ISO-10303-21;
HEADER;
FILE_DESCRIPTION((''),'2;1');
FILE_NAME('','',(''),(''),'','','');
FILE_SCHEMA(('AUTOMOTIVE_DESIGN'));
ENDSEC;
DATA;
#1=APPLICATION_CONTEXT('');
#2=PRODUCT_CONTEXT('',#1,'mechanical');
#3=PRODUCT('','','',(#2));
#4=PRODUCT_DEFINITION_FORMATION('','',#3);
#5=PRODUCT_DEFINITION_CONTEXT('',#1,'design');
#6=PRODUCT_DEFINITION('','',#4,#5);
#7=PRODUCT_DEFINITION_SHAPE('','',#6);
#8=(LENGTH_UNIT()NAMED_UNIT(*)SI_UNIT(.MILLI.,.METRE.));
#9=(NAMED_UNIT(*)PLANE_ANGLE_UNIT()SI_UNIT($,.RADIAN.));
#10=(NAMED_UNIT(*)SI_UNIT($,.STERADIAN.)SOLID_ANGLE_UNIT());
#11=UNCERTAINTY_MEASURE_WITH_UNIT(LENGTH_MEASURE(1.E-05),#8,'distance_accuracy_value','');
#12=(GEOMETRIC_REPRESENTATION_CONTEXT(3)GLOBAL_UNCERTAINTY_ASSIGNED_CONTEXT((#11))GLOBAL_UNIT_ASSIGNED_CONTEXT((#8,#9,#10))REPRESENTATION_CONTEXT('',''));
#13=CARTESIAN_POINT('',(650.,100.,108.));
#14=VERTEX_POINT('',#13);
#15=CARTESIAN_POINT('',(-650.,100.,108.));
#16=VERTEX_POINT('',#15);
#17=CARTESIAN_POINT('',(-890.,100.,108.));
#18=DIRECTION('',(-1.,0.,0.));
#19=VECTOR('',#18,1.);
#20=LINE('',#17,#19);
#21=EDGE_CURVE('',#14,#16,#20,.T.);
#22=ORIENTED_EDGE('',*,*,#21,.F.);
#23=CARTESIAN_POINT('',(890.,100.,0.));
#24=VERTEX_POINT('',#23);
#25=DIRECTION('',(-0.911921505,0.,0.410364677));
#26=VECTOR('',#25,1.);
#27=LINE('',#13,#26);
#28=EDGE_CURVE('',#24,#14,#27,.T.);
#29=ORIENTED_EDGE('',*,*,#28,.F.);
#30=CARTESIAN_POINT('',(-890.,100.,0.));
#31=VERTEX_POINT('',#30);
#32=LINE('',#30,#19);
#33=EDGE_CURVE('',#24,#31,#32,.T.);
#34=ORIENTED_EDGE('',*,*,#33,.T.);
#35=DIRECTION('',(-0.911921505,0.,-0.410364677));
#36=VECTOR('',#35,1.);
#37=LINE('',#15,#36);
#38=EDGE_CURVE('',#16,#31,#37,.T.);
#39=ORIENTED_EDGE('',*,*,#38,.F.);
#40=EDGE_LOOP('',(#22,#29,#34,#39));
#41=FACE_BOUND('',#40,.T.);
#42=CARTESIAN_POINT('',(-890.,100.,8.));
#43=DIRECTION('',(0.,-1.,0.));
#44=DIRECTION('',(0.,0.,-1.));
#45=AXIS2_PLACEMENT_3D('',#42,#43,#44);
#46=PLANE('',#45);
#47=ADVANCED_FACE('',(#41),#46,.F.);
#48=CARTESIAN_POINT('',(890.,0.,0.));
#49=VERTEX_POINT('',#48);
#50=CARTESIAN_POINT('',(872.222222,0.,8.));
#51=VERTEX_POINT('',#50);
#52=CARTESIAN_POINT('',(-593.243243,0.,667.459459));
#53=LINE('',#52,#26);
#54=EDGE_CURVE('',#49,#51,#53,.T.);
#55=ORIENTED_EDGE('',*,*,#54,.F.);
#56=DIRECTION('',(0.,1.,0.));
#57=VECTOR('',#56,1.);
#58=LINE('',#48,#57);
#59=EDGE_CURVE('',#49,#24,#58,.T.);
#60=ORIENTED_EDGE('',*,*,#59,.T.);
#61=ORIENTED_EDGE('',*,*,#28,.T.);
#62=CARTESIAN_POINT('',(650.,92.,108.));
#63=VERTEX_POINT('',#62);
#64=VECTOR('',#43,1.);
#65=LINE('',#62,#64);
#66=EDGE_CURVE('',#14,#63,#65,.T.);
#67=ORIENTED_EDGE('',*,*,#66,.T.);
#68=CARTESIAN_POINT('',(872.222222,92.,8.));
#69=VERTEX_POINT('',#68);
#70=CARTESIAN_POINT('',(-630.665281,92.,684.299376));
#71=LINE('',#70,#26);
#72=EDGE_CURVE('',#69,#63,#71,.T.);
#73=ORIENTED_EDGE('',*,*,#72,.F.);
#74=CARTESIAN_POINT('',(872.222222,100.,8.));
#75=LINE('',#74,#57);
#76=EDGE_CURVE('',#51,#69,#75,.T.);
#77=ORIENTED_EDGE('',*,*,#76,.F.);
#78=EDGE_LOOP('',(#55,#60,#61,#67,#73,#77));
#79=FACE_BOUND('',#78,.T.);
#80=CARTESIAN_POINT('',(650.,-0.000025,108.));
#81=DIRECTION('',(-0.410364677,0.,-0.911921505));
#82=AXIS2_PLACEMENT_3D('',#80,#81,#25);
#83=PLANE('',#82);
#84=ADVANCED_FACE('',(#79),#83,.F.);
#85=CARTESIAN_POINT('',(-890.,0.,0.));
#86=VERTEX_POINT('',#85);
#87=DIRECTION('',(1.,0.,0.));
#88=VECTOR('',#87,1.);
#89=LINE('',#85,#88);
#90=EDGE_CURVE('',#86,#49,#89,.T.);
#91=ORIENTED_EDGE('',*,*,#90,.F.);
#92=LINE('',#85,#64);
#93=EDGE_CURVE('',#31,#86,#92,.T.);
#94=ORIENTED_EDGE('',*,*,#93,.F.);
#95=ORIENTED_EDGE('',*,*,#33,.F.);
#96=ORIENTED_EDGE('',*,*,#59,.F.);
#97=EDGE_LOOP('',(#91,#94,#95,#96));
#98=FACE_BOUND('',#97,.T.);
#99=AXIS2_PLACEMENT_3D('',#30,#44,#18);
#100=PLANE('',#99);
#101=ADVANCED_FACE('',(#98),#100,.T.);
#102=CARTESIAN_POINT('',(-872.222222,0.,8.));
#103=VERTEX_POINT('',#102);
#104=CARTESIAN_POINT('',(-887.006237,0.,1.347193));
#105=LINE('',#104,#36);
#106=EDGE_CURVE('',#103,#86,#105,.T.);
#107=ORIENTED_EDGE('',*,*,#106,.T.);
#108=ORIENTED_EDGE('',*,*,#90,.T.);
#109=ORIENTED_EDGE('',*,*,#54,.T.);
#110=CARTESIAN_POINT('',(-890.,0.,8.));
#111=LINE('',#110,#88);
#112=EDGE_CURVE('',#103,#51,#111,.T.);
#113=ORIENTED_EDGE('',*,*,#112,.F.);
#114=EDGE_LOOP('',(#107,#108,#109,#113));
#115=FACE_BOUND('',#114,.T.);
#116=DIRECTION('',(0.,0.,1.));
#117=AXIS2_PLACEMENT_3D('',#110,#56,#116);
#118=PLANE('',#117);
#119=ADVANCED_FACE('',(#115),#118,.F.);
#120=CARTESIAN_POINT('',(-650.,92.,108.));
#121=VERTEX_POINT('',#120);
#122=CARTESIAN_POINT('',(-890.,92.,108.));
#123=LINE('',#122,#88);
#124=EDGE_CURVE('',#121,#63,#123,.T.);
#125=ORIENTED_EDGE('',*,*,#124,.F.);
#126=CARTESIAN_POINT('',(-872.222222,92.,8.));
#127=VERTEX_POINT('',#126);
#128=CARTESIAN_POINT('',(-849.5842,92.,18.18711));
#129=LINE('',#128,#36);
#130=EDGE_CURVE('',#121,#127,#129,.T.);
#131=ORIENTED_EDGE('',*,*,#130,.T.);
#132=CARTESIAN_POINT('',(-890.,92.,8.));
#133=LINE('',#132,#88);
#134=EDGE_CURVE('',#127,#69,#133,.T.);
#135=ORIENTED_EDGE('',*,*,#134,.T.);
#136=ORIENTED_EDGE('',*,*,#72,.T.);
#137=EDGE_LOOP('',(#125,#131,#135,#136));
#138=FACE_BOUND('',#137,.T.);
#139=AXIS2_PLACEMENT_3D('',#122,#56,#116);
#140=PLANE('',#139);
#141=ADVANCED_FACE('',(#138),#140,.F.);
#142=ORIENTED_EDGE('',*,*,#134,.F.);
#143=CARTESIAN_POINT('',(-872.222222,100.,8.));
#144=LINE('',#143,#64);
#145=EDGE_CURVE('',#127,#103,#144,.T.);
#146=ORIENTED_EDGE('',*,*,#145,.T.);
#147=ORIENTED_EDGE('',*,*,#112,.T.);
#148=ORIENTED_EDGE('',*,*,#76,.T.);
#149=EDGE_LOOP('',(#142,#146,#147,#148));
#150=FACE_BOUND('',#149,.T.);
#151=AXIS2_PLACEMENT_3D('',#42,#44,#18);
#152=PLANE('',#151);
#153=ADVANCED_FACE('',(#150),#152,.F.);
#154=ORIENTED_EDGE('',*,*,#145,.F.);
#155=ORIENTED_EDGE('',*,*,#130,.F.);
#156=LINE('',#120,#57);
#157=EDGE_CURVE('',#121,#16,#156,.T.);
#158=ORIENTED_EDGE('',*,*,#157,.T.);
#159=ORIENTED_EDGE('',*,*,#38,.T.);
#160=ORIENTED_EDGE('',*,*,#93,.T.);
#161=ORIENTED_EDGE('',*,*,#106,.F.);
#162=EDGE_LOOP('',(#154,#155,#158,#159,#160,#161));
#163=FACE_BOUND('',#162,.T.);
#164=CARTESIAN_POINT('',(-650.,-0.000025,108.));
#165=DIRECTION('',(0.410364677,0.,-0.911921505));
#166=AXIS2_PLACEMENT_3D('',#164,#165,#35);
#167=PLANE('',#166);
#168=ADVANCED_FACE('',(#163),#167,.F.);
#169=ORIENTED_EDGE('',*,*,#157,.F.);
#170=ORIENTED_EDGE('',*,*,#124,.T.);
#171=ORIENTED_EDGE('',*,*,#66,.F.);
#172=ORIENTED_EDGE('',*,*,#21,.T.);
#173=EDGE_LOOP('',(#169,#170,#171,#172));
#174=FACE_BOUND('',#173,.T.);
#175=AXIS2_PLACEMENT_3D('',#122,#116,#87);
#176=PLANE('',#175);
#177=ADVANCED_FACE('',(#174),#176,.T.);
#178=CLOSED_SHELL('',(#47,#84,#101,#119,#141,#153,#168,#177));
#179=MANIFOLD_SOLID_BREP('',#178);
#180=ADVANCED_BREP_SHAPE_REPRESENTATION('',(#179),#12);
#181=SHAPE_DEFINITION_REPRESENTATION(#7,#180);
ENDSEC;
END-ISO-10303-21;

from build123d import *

# Parameters (mm, degrees)
SKETCH_1_W          = 1780
SKETCH_1_H          = 100
EXTRUDE_489_DEPTH   = 8
SKETCH_2_W          = 1780
SKETCH_2_H          = 8
EXTRUDE_1_DEPTH     = 100
CUT_EXTRUDE_1_DEPTH = 903.088687436


with BuildPart() as part:
    # 草图1 → Extrude 489 (new body)
    with BuildSketch(Plane.XY):
        with Locations((0, 50)):
            Rectangle(SKETCH_1_W, SKETCH_1_H)
    extrude(amount=EXTRUDE_489_DEPTH)

    # 草图2 → 凸台-拉伸1 (add)
    with BuildSketch(Plane.XY.offset(8)):
        with Locations((0, 96)):
            Rectangle(SKETCH_2_W, SKETCH_2_H)
    extrude(amount=EXTRUDE_1_DEPTH)

    # 草图3 → 切除-拉伸1 (cut, through all)
    with BuildSketch(Plane(origin=(0, 100, 0), x_dir=(-1, 0, 0), z_dir=(0, 1, 0))):
        Polygon((-650, 108), (-890, 0), (-890, 108), align=None)
        Polygon((890, 108), (650, 108), (890, 0), align=None)
    extrude(amount=-CUT_EXTRUDE_1_DEPTH, mode=Mode.SUBTRACT)


solid = part.part
